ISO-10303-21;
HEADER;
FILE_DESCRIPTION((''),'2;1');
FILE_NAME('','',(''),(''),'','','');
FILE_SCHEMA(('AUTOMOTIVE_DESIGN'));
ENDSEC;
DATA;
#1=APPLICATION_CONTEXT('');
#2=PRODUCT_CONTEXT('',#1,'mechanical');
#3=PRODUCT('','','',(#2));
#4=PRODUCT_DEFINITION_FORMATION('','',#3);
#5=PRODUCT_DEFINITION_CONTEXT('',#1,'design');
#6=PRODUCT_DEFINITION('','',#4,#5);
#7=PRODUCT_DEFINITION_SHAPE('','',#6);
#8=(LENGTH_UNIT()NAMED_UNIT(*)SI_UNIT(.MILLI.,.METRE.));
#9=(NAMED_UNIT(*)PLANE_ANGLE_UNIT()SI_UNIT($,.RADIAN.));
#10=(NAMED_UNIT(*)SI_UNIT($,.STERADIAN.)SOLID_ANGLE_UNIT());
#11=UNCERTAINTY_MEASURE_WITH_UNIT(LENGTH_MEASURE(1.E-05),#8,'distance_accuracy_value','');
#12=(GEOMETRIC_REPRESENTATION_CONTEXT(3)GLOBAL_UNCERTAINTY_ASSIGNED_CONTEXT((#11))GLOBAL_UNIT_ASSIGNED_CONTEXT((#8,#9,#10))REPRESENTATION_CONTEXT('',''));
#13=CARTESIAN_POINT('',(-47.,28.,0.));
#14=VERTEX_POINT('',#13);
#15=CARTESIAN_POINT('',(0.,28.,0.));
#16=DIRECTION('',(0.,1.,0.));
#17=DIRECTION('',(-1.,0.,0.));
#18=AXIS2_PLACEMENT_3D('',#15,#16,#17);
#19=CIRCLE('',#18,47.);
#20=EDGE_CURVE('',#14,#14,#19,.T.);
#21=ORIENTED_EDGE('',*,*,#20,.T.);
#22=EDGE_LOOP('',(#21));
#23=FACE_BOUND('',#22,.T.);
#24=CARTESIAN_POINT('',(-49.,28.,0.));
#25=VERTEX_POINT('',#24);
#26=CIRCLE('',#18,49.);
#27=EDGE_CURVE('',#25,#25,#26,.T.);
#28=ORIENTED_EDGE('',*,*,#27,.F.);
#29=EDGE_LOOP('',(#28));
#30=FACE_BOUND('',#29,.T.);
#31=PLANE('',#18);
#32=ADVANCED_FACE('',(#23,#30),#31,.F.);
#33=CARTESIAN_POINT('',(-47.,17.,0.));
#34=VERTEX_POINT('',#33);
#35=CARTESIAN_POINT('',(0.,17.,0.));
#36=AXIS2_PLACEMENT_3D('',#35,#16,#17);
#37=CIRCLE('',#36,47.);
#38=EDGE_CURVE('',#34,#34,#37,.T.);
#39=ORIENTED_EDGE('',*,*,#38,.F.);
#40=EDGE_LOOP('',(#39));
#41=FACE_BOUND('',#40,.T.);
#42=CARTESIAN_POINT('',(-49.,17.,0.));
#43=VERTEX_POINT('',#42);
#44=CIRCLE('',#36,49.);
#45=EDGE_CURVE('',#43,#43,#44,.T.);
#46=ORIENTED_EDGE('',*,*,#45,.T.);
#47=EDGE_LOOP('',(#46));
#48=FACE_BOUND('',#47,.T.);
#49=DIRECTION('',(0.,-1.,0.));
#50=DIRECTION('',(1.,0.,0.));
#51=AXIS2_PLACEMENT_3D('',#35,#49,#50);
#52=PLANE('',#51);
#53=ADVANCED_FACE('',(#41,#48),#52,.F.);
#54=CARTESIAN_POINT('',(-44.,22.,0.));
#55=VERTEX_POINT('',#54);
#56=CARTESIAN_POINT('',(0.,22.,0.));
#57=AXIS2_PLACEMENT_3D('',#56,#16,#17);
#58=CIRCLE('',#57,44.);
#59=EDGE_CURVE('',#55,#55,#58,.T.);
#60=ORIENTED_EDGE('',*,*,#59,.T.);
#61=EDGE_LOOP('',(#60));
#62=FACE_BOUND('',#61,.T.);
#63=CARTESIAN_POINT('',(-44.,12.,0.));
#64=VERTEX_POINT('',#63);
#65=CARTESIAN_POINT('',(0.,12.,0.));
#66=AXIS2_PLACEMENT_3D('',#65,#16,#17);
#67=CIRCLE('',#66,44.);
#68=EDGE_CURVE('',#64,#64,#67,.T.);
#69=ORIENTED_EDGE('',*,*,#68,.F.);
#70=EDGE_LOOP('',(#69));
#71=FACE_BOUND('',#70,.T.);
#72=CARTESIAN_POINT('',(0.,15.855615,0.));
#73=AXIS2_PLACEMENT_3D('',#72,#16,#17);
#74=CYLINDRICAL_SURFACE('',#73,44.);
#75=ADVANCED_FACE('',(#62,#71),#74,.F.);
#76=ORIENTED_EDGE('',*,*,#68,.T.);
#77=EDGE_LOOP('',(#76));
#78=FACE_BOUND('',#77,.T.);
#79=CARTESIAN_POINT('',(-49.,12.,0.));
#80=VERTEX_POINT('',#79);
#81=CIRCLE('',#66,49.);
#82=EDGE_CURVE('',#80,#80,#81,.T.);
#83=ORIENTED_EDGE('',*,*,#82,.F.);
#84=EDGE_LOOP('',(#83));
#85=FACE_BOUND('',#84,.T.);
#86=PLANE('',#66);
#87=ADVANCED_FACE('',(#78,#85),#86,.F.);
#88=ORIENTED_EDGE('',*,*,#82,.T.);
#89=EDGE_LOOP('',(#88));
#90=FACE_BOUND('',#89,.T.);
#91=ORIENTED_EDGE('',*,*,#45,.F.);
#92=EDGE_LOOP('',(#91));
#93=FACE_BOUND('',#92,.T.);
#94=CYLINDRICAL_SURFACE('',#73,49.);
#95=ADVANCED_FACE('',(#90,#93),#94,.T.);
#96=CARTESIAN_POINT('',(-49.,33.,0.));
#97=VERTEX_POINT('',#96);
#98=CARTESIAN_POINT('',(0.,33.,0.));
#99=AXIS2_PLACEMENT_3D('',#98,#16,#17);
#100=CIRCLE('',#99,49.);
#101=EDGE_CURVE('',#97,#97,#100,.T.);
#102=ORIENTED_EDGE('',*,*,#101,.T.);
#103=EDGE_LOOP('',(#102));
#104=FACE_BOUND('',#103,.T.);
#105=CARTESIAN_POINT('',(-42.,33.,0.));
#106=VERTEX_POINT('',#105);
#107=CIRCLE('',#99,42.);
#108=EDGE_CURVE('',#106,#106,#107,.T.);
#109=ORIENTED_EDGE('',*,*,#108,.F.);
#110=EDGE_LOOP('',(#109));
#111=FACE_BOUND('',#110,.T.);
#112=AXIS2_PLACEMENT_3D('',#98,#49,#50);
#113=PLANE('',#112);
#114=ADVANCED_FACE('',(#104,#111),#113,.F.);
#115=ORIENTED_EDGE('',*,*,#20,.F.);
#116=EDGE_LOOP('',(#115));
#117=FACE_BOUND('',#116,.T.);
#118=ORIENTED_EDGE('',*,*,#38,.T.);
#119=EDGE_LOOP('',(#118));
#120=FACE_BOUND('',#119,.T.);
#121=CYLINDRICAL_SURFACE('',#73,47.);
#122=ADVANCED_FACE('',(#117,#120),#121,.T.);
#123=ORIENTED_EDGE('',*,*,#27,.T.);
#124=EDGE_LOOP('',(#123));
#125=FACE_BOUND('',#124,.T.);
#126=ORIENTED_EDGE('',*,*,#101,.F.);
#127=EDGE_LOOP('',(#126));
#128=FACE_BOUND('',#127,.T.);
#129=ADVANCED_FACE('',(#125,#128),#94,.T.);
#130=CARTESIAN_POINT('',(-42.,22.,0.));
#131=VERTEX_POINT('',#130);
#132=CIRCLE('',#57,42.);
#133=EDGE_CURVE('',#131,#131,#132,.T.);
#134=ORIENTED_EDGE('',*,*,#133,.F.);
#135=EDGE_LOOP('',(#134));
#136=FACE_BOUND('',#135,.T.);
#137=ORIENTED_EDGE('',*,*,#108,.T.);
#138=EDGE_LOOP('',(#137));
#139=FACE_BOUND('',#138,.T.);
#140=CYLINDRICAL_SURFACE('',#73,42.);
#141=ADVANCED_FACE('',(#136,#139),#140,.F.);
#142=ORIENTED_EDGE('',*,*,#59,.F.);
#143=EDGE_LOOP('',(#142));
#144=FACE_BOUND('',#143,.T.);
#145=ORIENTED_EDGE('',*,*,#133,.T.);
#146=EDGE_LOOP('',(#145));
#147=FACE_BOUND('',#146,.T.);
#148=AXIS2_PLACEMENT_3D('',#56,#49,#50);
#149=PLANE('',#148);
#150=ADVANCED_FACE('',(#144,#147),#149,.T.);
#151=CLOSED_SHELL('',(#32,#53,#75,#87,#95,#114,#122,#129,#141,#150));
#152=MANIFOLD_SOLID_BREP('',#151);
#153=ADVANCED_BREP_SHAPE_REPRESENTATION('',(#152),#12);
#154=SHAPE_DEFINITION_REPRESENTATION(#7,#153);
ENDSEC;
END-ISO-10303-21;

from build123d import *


with BuildPart() as part:
    # Sketch1 → Revolve1 (revolve)
    with BuildSketch(Plane.XY):
        Polygon((-49, 12), (-49, 17), (-47, 17), (-47, 28), (-49, 28), (-49, 33), (-42, 33), (-42, 22), (-44, 22), (-44, 12), align=None)
    revolve(axis=Axis((0, 15.855614973, 0), (0, -1, 0)))


solid = part.part
